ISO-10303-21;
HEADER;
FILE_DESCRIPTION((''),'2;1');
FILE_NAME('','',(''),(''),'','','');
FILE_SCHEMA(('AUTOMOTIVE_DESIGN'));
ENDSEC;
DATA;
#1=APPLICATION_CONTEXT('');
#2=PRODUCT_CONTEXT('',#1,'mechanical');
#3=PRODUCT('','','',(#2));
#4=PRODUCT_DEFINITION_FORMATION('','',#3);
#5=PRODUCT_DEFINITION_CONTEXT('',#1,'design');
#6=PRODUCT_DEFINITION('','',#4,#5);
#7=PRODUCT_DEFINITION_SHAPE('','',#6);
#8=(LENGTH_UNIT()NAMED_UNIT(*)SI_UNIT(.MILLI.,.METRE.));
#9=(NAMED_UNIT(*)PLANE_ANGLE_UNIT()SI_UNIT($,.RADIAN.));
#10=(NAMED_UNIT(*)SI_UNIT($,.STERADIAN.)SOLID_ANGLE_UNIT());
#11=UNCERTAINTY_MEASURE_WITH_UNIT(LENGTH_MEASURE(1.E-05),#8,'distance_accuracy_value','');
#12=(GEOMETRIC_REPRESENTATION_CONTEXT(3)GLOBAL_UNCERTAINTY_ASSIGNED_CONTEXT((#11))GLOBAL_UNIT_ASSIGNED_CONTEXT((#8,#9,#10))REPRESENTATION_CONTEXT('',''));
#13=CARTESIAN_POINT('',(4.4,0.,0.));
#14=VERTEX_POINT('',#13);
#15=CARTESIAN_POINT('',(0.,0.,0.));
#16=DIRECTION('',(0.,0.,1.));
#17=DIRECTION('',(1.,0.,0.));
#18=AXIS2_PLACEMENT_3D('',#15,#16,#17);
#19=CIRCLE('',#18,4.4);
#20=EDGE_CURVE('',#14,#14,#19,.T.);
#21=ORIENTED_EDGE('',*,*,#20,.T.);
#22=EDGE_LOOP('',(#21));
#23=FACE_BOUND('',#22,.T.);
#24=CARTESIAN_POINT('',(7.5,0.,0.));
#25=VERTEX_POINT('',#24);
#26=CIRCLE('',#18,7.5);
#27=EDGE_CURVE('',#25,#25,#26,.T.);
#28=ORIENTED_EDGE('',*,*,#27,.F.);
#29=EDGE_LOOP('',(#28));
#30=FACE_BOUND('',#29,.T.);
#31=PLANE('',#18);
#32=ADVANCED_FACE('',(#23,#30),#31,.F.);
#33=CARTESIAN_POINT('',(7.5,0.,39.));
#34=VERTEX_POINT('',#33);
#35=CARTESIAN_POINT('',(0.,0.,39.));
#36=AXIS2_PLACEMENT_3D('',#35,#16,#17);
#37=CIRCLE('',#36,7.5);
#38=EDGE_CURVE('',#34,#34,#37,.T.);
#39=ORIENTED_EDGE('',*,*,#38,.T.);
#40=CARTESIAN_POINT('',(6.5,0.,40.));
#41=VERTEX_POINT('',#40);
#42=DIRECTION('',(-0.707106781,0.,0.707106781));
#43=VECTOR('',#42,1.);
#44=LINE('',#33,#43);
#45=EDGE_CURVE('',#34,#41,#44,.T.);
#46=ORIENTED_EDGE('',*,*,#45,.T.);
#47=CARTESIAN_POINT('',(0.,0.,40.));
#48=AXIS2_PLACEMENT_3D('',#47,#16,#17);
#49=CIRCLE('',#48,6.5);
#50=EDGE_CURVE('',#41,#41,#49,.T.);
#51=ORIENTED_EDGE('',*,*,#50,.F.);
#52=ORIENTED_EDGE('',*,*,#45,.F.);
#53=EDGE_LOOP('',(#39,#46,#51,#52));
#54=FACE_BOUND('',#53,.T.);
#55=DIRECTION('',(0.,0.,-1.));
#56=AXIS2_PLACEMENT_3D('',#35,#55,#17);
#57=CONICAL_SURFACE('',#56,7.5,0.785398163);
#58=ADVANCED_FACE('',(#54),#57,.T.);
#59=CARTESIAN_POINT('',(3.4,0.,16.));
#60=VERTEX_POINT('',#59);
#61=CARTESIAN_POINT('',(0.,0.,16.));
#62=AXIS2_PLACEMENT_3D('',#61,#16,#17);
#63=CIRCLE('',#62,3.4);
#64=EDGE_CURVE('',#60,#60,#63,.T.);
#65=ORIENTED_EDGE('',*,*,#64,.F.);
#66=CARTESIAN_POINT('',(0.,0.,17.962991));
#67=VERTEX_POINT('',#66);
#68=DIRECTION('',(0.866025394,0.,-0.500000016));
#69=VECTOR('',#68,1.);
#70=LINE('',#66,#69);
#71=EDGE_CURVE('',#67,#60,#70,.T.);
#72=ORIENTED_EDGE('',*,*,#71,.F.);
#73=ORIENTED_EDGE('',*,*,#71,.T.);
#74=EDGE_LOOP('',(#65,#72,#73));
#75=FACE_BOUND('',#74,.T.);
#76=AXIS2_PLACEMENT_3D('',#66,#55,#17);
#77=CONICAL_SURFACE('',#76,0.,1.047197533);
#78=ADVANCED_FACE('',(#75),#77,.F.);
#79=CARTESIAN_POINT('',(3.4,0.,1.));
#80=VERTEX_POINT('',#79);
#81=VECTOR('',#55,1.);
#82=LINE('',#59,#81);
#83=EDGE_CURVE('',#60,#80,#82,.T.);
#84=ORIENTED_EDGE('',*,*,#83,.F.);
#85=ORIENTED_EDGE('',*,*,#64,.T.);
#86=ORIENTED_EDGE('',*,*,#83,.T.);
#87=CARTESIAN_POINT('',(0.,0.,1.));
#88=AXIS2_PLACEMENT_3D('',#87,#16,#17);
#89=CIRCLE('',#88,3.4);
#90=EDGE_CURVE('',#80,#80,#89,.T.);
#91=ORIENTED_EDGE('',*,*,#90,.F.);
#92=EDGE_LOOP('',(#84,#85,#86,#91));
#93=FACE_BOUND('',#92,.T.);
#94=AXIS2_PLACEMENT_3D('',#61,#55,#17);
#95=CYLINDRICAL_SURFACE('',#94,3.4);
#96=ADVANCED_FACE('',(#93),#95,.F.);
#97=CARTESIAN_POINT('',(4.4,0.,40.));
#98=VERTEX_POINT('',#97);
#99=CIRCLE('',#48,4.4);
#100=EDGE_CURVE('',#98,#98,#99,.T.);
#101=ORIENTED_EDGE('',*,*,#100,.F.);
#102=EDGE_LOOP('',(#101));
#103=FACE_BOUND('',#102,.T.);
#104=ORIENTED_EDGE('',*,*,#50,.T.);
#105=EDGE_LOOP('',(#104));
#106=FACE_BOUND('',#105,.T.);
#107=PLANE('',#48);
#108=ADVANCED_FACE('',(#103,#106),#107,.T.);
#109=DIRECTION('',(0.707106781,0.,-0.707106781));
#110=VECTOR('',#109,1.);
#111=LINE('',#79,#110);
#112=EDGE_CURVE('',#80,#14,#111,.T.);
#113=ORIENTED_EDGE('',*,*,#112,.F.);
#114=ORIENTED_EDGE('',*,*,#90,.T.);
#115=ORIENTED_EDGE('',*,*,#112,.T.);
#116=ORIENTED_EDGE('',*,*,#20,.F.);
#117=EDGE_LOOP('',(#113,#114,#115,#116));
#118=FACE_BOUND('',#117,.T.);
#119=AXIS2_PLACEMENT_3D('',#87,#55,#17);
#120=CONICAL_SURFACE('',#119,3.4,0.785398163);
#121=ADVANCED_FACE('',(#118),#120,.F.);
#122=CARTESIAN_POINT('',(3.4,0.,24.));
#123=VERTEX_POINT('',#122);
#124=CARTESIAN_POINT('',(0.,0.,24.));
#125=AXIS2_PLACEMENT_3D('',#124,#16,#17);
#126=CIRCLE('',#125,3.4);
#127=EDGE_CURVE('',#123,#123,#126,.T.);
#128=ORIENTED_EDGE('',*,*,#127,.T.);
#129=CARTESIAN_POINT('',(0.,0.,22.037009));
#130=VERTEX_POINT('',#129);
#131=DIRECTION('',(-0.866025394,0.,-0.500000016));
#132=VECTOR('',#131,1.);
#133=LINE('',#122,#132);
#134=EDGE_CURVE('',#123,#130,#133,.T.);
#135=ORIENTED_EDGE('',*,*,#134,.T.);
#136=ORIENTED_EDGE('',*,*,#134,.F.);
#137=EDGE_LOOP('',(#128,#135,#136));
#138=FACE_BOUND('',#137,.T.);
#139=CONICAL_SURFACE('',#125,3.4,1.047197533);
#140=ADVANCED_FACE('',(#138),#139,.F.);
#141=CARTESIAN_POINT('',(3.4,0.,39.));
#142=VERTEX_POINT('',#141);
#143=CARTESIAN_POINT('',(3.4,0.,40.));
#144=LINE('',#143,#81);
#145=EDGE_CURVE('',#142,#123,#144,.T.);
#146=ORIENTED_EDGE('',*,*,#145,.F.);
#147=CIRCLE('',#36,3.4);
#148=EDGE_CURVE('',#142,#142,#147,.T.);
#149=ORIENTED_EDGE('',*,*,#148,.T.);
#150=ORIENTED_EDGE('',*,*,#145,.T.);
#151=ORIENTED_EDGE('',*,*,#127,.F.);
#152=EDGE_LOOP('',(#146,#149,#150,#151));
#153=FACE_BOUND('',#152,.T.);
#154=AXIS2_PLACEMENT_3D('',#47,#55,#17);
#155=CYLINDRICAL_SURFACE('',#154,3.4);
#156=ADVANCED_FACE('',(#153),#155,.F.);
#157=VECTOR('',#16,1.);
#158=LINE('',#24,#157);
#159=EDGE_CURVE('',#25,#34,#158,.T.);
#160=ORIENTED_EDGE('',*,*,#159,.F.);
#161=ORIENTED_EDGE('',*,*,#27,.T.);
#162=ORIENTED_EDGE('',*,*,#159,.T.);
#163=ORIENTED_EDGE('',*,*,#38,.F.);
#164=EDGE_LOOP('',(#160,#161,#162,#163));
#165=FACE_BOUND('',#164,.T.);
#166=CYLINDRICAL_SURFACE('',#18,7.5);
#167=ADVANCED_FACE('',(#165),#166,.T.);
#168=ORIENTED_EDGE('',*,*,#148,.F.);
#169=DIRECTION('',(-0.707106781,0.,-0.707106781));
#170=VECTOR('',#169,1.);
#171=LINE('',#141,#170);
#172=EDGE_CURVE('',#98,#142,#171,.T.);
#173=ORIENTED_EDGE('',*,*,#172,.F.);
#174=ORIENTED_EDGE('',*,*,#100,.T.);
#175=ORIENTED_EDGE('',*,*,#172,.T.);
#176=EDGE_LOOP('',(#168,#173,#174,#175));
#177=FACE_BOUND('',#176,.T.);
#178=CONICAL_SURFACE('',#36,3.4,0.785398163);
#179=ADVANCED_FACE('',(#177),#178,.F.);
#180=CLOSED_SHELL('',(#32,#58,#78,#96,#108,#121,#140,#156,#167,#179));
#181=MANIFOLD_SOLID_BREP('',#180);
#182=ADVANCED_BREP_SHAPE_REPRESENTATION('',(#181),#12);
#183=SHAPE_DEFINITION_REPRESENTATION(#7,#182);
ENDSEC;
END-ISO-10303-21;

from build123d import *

# Parameters (mm, degrees)
F2_SIZE = 1


with BuildPart() as f1:
    # F0 (on Front) → F1 (revolve)
    with BuildSketch(Plane.XZ):
        Polygon((0, 22.037009), (0, 17.962991), (3.4, 16), (3.4, 0), (7.5, 0), (7.5, 40), (3.4, 40), (3.4, 24), align=None)
    revolve(axis=Axis((0, 0, 33.455674), (0, 0, 1)))

    # F2
    f2_edges = [f1.edges().sort_by_distance(p)[0] for p in [
        (-7.5, 0, 40),
        (-3.4, 0, 40),
        (-3.4, 0, 0),
    ]]
    chamfer(f2_edges, length=F2_SIZE)


solid = f1.part
